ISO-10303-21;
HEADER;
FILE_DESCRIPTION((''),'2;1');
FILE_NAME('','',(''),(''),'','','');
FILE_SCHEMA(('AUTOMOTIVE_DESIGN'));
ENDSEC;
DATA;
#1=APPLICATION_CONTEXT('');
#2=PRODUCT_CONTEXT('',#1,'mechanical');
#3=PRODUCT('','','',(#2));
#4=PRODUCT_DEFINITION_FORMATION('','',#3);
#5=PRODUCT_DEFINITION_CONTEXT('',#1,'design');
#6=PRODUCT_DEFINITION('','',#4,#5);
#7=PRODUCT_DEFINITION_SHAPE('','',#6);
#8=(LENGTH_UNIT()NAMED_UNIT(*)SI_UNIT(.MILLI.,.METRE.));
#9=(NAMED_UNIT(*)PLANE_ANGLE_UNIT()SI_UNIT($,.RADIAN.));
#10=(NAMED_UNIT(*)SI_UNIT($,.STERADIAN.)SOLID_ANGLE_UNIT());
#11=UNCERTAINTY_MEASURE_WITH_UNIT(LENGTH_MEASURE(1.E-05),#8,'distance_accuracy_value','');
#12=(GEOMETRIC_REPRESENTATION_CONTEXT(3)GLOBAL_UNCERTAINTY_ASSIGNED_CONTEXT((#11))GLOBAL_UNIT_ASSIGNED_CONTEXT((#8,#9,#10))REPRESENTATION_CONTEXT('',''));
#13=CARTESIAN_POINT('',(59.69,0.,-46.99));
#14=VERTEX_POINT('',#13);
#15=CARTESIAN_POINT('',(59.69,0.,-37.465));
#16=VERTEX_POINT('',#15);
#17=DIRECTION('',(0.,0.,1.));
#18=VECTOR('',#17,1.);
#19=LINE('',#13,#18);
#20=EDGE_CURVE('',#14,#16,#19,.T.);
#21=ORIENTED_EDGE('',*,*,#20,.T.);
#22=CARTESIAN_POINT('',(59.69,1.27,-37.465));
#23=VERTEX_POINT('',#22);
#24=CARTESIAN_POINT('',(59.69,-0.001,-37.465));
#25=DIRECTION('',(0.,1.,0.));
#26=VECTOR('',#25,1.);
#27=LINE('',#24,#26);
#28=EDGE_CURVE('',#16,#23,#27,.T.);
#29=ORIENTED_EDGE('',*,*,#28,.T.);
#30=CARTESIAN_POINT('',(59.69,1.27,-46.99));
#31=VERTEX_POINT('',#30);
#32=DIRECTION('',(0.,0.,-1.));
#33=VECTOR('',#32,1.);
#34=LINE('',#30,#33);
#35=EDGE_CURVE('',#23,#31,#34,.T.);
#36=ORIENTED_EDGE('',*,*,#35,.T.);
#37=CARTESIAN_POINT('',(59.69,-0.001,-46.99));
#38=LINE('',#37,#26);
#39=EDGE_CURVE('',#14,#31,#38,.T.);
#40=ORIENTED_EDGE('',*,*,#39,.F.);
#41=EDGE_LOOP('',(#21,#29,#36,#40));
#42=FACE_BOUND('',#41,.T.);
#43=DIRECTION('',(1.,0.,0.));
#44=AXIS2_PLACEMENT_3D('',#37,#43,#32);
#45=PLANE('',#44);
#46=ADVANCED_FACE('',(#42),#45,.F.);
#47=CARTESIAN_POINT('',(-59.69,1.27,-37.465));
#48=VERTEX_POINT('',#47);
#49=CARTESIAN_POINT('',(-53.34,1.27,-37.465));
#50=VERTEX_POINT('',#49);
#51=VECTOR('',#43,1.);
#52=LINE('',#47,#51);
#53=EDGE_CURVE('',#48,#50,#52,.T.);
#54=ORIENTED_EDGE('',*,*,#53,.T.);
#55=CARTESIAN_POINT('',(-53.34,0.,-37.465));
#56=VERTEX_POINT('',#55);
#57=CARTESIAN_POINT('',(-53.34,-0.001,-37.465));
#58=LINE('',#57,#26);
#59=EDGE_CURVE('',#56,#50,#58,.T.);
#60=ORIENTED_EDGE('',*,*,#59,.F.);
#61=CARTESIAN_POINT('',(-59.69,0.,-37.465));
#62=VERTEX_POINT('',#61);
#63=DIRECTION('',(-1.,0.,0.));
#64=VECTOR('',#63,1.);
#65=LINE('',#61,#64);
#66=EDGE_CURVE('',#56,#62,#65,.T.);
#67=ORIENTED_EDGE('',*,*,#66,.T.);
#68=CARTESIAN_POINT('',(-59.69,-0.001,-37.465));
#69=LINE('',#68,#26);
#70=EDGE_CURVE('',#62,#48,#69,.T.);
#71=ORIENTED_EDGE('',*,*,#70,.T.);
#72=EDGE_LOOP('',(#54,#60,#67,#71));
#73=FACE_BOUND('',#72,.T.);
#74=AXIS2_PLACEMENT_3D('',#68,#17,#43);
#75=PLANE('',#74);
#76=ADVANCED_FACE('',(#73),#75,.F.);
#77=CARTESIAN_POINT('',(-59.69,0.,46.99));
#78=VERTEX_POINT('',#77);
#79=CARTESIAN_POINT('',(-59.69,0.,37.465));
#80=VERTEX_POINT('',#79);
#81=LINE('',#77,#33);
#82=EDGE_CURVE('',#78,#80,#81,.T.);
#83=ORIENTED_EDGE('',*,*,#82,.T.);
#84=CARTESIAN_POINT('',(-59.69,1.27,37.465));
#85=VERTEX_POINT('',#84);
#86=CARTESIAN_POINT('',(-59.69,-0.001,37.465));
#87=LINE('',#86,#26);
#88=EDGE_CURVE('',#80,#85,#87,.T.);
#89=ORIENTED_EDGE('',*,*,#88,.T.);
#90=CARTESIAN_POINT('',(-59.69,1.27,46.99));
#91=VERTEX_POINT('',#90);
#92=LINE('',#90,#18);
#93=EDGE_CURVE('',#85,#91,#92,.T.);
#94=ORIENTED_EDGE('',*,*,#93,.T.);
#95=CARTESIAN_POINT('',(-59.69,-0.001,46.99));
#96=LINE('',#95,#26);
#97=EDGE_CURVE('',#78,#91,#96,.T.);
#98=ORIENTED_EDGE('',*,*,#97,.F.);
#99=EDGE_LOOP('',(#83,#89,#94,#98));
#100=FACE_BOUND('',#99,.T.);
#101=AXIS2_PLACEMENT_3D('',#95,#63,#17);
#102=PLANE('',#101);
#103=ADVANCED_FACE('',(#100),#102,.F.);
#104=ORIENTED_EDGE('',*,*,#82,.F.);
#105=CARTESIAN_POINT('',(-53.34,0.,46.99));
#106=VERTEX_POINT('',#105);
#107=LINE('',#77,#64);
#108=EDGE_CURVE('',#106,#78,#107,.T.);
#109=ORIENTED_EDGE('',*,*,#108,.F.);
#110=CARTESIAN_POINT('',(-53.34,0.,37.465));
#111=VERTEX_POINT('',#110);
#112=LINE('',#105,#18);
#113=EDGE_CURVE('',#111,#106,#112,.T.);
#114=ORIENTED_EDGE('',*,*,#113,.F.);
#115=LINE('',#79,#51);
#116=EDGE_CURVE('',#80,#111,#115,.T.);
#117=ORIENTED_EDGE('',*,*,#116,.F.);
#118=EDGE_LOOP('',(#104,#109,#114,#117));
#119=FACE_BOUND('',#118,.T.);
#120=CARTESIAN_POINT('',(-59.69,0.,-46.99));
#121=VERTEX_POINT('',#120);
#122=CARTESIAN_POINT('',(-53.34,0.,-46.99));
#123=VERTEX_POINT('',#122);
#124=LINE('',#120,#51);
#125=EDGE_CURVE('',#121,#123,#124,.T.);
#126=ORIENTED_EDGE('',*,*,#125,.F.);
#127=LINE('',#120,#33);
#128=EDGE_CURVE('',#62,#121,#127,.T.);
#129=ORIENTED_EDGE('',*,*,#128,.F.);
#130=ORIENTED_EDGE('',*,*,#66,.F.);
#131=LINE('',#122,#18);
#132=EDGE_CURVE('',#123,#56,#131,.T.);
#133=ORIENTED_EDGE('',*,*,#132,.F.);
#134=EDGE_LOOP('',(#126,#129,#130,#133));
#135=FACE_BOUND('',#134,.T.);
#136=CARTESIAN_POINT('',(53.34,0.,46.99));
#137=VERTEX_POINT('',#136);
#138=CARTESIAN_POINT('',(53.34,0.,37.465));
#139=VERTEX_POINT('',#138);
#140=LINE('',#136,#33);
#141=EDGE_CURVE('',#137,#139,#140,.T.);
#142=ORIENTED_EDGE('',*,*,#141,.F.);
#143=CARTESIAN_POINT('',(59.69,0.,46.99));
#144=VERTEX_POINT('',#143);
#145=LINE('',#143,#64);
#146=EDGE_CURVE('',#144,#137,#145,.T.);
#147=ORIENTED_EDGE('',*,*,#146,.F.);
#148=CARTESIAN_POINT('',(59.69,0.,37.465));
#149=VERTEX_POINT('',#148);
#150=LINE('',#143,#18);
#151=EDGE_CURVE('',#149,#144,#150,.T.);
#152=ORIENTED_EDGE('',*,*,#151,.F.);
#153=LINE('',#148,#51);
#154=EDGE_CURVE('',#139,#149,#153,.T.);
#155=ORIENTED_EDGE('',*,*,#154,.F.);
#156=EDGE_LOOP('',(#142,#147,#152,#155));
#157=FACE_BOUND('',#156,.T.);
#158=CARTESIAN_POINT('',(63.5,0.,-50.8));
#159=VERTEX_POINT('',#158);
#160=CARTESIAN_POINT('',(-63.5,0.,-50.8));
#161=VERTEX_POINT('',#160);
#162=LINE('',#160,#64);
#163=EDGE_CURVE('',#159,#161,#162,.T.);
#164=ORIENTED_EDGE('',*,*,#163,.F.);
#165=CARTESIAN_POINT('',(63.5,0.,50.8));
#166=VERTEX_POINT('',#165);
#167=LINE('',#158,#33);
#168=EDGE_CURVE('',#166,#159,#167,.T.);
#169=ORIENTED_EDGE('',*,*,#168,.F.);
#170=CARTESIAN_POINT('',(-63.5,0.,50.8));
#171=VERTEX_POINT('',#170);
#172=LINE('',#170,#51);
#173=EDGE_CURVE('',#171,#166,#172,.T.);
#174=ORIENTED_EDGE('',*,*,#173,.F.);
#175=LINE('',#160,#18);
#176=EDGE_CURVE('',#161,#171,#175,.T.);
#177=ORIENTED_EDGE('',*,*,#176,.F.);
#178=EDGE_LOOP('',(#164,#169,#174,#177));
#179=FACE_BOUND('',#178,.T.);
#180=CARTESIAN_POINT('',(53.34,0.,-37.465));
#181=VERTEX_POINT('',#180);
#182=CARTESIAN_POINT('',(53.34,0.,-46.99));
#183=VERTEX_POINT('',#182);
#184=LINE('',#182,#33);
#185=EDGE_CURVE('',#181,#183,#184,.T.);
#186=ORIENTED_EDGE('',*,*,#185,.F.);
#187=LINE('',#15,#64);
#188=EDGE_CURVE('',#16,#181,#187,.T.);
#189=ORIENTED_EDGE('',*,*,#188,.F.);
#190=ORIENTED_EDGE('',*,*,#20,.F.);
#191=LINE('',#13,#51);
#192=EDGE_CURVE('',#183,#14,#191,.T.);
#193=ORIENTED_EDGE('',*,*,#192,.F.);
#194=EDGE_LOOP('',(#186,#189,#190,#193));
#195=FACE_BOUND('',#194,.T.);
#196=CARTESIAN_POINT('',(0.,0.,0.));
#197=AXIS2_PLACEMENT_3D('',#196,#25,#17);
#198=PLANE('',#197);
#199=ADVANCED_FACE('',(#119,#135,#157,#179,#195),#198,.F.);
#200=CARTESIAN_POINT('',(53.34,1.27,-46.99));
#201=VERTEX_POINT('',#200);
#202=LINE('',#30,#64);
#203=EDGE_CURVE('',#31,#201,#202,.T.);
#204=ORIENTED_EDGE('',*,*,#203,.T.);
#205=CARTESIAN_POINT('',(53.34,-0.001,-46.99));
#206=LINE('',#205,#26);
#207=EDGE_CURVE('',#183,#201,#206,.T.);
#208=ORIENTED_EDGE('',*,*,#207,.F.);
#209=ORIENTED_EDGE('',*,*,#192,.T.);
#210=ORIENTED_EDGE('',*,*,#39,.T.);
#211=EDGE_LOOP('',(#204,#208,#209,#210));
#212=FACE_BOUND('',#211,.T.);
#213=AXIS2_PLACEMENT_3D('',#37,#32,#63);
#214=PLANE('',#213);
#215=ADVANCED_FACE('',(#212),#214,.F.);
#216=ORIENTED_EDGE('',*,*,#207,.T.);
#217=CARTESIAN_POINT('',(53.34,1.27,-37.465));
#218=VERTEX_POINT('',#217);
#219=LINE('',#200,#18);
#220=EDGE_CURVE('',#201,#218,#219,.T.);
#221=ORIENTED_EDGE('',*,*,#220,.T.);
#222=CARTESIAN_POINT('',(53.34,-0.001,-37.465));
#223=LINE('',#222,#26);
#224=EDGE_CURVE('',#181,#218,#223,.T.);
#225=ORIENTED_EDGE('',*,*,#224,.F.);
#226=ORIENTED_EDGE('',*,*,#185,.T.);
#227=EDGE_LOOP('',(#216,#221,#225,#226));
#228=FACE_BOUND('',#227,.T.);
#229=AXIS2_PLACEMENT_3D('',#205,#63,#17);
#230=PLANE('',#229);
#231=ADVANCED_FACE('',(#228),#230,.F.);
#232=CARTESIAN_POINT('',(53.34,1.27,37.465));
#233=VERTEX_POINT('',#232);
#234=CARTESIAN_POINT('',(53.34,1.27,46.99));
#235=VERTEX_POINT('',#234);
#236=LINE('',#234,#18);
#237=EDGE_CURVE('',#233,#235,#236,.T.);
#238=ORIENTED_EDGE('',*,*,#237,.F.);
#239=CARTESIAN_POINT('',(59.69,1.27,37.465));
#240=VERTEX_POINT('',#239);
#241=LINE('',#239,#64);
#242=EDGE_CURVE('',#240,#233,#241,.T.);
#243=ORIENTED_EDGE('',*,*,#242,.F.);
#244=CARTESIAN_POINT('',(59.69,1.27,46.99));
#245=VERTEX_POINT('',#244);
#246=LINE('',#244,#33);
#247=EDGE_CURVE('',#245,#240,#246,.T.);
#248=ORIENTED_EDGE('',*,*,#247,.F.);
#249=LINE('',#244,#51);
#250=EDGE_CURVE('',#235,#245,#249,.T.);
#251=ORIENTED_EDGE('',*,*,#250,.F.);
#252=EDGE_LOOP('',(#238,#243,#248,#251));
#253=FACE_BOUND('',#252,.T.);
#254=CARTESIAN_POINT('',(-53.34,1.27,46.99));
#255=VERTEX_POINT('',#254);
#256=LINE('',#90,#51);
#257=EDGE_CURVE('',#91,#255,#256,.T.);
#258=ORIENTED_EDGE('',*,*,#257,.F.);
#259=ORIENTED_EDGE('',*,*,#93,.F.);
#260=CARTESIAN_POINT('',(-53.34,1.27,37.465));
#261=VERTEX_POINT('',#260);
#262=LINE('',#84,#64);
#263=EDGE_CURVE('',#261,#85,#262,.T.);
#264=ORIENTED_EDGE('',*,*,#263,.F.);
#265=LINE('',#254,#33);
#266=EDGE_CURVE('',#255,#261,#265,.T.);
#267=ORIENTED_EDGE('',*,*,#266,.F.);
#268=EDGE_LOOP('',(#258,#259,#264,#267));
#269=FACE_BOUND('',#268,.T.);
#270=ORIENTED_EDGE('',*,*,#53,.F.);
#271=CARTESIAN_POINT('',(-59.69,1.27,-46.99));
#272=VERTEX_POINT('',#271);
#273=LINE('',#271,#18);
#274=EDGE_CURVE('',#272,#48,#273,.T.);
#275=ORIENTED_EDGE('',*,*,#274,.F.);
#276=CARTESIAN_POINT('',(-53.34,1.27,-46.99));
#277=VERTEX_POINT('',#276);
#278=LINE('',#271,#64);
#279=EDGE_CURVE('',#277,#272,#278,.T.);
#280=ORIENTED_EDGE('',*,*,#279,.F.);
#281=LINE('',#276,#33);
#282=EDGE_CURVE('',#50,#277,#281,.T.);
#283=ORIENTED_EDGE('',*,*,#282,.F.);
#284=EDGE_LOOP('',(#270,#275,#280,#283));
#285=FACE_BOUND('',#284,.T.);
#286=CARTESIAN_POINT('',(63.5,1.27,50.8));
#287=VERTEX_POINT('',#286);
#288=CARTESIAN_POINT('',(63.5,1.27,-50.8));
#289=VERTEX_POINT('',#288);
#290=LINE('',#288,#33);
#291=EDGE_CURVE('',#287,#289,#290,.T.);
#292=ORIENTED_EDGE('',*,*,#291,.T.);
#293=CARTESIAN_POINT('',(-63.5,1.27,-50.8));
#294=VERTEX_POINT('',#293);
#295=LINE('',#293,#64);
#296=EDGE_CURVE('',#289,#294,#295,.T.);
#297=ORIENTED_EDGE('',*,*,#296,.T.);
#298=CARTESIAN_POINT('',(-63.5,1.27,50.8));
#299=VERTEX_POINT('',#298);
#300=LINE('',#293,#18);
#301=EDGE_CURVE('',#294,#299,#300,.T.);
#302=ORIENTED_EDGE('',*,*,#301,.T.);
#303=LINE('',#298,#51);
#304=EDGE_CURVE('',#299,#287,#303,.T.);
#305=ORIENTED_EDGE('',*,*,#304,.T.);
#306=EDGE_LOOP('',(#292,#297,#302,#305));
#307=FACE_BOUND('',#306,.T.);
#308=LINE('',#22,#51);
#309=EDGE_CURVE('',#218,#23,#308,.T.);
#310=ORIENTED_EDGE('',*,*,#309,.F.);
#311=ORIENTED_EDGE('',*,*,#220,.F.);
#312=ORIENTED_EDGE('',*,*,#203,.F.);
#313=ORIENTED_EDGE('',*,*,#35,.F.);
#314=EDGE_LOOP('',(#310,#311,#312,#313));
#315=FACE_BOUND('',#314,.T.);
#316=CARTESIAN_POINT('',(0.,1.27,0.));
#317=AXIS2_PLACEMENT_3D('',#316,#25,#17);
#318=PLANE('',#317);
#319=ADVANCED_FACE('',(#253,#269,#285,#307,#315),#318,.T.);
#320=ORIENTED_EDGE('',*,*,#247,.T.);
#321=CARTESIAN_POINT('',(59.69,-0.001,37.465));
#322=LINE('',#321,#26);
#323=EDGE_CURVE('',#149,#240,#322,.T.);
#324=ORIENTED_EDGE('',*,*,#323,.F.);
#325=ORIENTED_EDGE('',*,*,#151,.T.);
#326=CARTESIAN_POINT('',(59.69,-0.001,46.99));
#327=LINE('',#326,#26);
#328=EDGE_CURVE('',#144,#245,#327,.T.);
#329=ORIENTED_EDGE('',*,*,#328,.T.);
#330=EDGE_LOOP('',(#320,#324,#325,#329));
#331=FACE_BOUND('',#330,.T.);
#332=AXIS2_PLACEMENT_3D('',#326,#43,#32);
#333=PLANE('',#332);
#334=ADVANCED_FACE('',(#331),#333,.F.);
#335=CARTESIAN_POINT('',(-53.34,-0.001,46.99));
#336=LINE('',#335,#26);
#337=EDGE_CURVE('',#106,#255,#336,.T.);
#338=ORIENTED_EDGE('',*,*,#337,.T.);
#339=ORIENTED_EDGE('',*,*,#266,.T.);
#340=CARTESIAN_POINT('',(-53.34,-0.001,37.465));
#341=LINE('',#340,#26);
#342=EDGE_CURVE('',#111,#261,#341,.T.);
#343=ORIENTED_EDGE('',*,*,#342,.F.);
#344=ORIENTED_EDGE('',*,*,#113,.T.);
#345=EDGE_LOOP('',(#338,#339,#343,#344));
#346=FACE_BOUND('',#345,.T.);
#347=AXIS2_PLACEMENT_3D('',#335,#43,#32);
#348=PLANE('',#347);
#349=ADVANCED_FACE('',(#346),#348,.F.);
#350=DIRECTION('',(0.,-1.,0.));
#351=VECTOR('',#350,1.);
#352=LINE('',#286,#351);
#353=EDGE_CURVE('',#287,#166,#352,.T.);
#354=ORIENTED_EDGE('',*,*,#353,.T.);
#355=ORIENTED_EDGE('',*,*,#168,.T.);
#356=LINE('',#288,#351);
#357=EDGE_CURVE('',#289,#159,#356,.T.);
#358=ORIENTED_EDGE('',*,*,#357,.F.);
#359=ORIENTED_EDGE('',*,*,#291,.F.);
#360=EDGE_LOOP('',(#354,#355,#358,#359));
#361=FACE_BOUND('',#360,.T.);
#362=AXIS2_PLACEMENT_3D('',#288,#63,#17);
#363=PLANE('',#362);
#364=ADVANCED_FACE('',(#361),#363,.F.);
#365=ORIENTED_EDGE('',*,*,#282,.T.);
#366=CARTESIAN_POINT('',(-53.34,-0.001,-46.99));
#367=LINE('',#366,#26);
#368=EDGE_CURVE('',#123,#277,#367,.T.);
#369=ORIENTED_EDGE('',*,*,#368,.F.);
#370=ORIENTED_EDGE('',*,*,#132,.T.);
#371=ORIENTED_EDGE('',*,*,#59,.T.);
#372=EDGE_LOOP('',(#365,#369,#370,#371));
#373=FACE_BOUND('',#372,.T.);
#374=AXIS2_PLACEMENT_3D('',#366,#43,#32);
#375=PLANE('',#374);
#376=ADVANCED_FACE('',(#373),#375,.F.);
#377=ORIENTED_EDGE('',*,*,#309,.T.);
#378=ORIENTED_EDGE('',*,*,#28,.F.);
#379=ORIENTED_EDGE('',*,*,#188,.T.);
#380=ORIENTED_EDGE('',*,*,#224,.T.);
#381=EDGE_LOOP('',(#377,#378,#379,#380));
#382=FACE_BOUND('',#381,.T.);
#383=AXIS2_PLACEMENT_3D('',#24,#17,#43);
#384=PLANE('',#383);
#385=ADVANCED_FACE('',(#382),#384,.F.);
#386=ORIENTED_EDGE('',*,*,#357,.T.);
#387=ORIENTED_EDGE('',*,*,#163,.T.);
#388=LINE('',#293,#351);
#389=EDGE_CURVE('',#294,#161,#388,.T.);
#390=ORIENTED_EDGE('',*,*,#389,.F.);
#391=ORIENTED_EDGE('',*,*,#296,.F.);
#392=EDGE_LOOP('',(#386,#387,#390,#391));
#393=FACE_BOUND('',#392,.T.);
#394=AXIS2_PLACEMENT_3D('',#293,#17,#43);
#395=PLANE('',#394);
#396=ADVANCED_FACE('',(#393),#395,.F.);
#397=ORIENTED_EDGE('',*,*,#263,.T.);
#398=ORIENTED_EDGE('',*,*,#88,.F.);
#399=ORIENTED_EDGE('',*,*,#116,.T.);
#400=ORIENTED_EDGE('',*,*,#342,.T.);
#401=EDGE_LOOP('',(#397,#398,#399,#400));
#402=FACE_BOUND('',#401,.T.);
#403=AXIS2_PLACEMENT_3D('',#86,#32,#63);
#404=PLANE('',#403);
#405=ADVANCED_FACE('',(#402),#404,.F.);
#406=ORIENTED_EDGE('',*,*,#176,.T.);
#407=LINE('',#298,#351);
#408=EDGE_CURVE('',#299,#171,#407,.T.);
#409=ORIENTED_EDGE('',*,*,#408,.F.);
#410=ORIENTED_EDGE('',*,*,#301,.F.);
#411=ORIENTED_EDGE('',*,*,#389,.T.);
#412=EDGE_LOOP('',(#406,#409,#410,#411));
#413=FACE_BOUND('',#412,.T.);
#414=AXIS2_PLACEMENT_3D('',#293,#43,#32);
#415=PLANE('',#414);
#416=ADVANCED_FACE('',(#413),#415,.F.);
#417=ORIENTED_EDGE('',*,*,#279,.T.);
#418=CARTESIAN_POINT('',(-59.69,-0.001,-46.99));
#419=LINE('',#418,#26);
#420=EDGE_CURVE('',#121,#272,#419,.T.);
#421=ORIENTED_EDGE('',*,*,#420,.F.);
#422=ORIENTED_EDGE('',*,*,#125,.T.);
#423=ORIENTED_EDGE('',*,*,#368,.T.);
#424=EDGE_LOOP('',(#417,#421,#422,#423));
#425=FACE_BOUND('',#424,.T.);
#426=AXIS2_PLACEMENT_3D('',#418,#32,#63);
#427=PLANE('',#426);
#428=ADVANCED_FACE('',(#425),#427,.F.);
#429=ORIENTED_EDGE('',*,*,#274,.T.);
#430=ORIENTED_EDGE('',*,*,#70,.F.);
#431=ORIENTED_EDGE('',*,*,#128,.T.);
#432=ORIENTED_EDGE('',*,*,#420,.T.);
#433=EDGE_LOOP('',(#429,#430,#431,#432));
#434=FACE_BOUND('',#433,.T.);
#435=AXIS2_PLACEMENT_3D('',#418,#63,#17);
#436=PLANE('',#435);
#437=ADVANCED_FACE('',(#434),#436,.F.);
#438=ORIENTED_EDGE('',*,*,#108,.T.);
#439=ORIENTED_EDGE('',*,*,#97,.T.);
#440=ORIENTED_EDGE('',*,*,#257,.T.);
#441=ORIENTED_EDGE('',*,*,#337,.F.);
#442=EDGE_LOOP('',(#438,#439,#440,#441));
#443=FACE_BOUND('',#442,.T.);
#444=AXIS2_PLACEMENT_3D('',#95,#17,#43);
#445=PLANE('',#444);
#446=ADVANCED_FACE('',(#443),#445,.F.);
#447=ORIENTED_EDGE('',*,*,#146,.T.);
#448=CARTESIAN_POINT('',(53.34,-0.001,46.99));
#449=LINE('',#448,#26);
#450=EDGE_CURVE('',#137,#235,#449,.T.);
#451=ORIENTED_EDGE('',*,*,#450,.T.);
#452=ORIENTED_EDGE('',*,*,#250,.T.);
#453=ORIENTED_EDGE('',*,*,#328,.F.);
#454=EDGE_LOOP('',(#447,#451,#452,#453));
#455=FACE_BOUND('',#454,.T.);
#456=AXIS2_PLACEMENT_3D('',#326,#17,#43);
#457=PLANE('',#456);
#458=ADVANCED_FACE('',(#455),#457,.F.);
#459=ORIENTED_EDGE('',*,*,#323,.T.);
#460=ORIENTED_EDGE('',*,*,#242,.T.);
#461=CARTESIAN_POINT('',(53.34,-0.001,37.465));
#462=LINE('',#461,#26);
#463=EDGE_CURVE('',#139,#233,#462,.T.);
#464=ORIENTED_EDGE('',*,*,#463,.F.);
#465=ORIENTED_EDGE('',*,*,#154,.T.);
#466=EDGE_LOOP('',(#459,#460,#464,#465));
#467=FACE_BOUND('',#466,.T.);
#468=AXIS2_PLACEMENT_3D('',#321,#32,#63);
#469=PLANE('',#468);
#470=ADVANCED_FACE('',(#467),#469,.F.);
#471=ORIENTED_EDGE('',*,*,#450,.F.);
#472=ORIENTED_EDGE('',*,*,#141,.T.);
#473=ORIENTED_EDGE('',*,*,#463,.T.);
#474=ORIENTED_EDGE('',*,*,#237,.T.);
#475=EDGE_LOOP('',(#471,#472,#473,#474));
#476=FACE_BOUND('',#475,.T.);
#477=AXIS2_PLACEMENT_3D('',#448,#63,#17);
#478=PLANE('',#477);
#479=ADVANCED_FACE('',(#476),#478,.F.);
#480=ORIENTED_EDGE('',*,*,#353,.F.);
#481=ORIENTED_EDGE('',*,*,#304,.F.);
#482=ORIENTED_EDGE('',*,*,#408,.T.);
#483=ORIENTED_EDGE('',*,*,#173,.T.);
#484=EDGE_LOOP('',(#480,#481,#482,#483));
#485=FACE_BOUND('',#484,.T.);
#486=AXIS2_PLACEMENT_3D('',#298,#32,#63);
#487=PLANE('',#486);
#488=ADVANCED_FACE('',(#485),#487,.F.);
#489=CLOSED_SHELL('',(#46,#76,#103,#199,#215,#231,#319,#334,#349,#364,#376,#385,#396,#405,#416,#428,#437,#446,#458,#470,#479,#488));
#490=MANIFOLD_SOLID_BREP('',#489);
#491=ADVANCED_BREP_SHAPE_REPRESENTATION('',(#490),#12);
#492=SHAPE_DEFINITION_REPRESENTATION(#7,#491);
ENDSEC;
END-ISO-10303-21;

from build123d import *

# Parameters (mm, degrees)
SKETCH1_W           = 127
SKETCH1_H           = 101.6
BOSS_EXTRUDE1_DEPTH = 1.27
CUT_EXTRUDE1_REACH  = 83.33
SKETCH2_W           = 6.35
SKETCH2_H           = 9.525


with BuildPart() as part:
    # Sketch1 → Boss-Extrude1 (new body)
    with BuildSketch(Plane(origin=(0, 0, 0), x_dir=(1, 0, 0), z_dir=(0, 1, 0))):
        Rectangle(SKETCH1_W, SKETCH1_H)
    extrude(amount=BOSS_EXTRUDE1_DEPTH)

    # Sketch2 → Cut-Extrude1 (cut, up to next)
    with BuildSketch(Plane(origin=(0, 1.27, 0), x_dir=(1, 0, 0), z_dir=(0, 1, 0)), mode=Mode.PRIVATE) as cut_extrude1_sk1:
        with Locations((-56.515, 42.2275)):
            Rectangle(SKETCH2_W, SKETCH2_H)
    cut_extrude1_tool1 = extrude(cut_extrude1_sk1.sketch, amount=-CUT_EXTRUDE1_REACH, mode=Mode.PRIVATE) & part.part
    # Sketch2 → Cut-Extrude1 (cut, up to next)
    with BuildSketch(Plane(origin=(0, 1.27, 0), x_dir=(1, 0, 0), z_dir=(0, 1, 0)), mode=Mode.PRIVATE) as cut_extrude1_sk2:
        with Locations((56.515, 42.2275)):
            Rectangle(SKETCH2_W, SKETCH2_H)
    cut_extrude1_tool2 = extrude(cut_extrude1_sk2.sketch, amount=-CUT_EXTRUDE1_REACH, mode=Mode.PRIVATE) & part.part
    # Sketch2 → Cut-Extrude1 (cut, up to next)
    with BuildSketch(Plane(origin=(0, 1.27, 0), x_dir=(1, 0, 0), z_dir=(0, 1, 0)), mode=Mode.PRIVATE) as cut_extrude1_sk3:
        with Locations((56.515, -42.2275)):
            Rectangle(SKETCH2_W, SKETCH2_H)
    cut_extrude1_tool3 = extrude(cut_extrude1_sk3.sketch, amount=-CUT_EXTRUDE1_REACH, mode=Mode.PRIVATE) & part.part
    # Sketch2 → Cut-Extrude1 (cut, up to next)
    with BuildSketch(Plane(origin=(0, 1.27, 0), x_dir=(1, 0, 0), z_dir=(0, 1, 0)), mode=Mode.PRIVATE) as cut_extrude1_sk4:
        with Locations((-56.515, -42.2275)):
            Rectangle(SKETCH2_W, SKETCH2_H)
    cut_extrude1_tool4 = extrude(cut_extrude1_sk4.sketch, amount=-CUT_EXTRUDE1_REACH, mode=Mode.PRIVATE) & part.part
    add(cut_extrude1_tool1.solids().sort_by_distance((-56.515, 1.27, -42.2275))[0], mode=Mode.SUBTRACT)
    add(cut_extrude1_tool2.solids().sort_by_distance((56.515, 1.27, -42.2275))[0], mode=Mode.SUBTRACT)
    add(cut_extrude1_tool3.solids().sort_by_distance((56.515, 1.27, 42.2275))[0], mode=Mode.SUBTRACT)
    add(cut_extrude1_tool4.solids().sort_by_distance((-56.515, 1.27, 42.2275))[0], mode=Mode.SUBTRACT)


solid = part.part
